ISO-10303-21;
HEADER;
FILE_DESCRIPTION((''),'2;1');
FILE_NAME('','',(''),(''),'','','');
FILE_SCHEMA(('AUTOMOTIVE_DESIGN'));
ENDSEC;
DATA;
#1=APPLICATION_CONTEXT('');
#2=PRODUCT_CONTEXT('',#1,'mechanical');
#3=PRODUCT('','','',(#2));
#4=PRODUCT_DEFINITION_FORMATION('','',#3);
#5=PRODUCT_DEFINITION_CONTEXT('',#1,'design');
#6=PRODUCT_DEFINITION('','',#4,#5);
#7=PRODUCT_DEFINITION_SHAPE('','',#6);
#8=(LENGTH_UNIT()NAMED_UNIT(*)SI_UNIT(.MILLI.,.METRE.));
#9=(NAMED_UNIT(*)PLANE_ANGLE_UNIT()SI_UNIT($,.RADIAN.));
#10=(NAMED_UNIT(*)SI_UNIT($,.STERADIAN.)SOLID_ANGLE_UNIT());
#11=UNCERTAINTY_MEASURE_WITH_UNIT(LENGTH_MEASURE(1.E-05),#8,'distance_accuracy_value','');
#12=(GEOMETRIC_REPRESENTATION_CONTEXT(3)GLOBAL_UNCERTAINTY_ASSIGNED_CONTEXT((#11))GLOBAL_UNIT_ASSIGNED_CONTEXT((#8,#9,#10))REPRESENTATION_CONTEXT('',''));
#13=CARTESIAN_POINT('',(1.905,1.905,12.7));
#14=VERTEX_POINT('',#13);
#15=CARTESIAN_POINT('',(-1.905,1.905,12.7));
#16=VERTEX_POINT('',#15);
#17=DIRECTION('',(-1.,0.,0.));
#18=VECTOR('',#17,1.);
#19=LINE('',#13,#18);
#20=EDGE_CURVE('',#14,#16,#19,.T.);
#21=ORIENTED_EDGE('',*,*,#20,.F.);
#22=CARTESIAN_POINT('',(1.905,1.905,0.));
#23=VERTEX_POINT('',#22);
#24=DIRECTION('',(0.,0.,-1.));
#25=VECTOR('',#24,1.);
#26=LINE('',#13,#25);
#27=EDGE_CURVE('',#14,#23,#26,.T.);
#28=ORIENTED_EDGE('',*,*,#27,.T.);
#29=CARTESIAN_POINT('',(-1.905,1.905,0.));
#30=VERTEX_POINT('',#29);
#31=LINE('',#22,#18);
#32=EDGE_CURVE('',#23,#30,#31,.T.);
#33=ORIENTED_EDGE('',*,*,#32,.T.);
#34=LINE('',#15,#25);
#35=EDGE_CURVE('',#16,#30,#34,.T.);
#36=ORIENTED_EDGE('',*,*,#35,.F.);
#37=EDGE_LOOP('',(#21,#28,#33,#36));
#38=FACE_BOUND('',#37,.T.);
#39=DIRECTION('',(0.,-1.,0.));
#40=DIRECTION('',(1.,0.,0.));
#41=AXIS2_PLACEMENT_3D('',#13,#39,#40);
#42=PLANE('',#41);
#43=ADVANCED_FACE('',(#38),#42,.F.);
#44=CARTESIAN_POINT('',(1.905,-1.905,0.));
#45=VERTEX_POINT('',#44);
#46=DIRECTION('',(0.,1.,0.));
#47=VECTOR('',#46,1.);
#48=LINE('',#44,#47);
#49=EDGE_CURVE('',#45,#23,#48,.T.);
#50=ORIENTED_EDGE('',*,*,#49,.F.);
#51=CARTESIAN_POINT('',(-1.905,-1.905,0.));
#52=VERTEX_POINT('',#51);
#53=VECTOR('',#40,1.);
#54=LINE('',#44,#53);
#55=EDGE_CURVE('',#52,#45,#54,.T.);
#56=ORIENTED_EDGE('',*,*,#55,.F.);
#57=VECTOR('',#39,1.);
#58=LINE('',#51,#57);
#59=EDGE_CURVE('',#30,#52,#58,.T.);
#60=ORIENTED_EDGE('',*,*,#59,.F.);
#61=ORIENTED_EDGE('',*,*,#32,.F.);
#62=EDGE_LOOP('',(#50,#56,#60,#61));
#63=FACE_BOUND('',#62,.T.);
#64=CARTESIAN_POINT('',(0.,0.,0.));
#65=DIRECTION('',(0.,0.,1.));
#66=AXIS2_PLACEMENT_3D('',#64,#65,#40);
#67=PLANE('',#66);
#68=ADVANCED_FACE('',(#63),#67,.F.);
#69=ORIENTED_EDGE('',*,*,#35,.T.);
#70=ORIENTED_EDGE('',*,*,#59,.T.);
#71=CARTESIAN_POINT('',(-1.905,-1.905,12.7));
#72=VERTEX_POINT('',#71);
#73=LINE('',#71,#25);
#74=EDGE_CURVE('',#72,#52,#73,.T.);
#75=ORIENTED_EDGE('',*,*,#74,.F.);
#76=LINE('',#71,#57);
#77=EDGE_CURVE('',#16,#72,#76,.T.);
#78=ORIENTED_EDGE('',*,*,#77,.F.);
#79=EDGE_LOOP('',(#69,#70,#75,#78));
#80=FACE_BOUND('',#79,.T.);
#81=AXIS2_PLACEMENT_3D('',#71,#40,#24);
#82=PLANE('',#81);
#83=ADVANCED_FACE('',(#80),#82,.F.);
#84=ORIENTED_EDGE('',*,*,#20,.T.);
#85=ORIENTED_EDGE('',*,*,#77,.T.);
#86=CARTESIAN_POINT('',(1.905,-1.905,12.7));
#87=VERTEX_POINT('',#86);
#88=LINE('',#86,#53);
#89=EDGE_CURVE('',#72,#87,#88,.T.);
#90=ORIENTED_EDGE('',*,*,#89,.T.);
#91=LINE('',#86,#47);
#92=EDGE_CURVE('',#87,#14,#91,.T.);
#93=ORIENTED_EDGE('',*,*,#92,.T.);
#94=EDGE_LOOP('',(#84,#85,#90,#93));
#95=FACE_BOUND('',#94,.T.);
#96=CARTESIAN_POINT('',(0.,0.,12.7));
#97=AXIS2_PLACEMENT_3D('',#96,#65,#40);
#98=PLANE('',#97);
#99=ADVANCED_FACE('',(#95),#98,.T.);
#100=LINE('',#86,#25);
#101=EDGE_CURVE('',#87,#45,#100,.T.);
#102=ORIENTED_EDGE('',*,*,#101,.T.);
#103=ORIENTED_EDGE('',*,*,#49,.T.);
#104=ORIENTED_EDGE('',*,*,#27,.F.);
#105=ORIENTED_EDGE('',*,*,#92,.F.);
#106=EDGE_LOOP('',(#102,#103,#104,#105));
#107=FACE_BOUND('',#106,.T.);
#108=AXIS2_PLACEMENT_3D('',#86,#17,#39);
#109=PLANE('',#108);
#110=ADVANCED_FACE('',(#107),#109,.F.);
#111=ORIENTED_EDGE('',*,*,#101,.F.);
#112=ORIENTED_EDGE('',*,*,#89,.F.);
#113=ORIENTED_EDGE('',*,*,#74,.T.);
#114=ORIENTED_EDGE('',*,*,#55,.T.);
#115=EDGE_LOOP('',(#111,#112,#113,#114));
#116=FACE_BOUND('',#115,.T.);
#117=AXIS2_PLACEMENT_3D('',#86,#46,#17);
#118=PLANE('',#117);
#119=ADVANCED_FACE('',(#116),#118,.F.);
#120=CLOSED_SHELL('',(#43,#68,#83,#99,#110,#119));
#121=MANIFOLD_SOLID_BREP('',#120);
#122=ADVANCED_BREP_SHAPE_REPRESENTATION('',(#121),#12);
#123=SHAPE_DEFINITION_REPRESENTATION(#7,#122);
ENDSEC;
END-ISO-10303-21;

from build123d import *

# Parameters (mm, degrees)
SKETCH1_W           = 3.81
SKETCH1_H           = 3.81
BOSS_EXTRUDE1_DEPTH = 12.7


with BuildPart() as part:
    # Sketch1 → Boss-Extrude1 (new body)
    with BuildSketch(Plane.XY):
        Rectangle(SKETCH1_W, SKETCH1_H)
    extrude(amount=BOSS_EXTRUDE1_DEPTH)


solid = part.part
